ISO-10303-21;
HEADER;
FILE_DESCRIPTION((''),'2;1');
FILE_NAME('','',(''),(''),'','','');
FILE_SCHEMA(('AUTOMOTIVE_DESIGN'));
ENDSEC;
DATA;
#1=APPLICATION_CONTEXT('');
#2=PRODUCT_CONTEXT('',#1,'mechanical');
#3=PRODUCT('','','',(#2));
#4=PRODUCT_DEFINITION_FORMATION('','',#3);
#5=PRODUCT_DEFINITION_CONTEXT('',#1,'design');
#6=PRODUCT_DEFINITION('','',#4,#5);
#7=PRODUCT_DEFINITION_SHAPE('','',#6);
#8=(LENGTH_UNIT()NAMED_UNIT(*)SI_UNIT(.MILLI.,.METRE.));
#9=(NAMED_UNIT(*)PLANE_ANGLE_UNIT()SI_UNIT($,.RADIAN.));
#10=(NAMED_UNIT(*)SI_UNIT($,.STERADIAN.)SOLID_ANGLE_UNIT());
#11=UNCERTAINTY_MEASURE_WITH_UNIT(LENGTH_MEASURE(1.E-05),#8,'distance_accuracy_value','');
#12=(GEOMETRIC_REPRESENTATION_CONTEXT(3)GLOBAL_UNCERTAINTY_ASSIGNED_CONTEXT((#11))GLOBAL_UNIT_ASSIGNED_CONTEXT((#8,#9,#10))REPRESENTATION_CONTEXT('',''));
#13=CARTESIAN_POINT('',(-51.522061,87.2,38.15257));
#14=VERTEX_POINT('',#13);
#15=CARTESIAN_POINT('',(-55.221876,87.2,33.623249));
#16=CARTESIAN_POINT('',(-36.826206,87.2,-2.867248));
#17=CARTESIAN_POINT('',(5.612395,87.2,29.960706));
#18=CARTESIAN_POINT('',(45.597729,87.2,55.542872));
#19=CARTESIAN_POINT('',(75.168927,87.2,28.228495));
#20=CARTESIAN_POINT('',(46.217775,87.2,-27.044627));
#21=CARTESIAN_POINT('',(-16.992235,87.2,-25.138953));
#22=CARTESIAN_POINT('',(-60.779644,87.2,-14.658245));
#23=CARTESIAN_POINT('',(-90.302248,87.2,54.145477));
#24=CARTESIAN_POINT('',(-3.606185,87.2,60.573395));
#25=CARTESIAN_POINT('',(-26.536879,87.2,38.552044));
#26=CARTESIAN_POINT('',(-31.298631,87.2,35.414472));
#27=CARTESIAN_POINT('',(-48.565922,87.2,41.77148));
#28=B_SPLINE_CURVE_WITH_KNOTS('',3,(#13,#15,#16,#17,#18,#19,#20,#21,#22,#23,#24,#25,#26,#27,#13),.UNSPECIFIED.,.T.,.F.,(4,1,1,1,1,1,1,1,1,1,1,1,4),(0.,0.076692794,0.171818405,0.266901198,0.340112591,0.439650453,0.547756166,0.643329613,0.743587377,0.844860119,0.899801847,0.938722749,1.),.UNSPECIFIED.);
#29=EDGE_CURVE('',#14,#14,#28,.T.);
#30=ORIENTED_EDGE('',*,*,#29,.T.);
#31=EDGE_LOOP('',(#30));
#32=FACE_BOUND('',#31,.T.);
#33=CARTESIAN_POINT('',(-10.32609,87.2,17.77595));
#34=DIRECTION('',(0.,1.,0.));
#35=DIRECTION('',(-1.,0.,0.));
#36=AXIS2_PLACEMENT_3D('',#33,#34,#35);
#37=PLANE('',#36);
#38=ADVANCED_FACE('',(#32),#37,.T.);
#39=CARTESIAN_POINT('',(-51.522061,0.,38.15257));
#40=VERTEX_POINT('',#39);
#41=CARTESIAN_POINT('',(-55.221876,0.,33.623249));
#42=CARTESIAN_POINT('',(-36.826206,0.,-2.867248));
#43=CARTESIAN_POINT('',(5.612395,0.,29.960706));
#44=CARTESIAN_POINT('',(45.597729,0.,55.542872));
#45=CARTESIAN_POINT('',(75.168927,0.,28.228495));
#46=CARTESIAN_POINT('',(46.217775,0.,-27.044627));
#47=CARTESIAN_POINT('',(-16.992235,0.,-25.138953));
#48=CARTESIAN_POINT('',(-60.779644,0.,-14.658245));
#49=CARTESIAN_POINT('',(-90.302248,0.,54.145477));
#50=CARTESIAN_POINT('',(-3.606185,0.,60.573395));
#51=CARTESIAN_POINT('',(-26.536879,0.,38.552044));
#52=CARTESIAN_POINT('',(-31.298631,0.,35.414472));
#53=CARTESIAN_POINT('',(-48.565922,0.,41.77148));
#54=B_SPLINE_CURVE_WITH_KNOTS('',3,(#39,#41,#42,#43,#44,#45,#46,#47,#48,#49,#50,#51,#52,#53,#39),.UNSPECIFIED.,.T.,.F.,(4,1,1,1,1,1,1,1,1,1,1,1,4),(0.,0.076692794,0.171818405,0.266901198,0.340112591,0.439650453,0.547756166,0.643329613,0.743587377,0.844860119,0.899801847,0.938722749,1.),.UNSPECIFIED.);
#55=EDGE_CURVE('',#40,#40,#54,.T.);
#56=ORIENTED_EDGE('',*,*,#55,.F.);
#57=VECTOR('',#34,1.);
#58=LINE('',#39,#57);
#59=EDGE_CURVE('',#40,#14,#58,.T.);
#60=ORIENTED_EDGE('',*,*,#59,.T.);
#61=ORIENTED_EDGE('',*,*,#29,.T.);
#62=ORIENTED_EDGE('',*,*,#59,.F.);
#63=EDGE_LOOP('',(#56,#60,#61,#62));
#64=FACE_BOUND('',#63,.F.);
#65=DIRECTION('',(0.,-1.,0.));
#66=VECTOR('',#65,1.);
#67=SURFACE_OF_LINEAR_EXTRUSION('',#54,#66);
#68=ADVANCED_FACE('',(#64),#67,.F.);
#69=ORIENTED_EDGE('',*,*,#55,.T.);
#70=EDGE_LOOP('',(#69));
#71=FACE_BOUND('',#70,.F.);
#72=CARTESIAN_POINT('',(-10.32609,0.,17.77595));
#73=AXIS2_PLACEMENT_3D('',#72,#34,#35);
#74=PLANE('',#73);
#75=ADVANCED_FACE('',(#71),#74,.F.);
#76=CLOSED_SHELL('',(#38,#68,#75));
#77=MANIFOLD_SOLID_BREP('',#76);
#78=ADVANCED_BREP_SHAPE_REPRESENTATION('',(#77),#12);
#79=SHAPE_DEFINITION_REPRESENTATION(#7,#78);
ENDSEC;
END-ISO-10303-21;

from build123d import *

# Parameters (mm, degrees)
F1_DEPTH = 87.2


with BuildPart() as f1:
    # F0 (on Front) → F1 (new body)
    with BuildSketch(Plane.XZ):
        with BuildLine():
            add(Edge.make_bspline(
                [(-51.5220607245, 38.1525700155), (-55.221876182, 33.6232489122), (-36.8262056795, -2.8672484269), (5.6123945052, 29.960705632), (45.5977292245, 55.5428720279), (75.1689270282, 28.2284950654), (46.2177750846, -27.0446265922), (-16.9922353182, -25.1389526048), (-60.7796440342, -14.6582450145), (-90.3022476069, 54.1454765906), (-3.6061848075, 60.573394545), (-26.5368789294, 38.5520436119), (-31.2986313149, 35.4144720563), (-48.5659222422, 41.7714803548), (-51.5220607245, 38.1525700155)],
                knots=[0, 0, 0, 0, 0.0766927944, 0.1718184052, 0.266901198, 0.340112591, 0.4396504531, 0.5477561659, 0.6433296129, 0.7435873769, 0.8448601194, 0.8998018473, 0.9387227489, 1, 1, 1, 1], degree=3))
        make_face()
    extrude(amount=-F1_DEPTH)


solid = f1.part
